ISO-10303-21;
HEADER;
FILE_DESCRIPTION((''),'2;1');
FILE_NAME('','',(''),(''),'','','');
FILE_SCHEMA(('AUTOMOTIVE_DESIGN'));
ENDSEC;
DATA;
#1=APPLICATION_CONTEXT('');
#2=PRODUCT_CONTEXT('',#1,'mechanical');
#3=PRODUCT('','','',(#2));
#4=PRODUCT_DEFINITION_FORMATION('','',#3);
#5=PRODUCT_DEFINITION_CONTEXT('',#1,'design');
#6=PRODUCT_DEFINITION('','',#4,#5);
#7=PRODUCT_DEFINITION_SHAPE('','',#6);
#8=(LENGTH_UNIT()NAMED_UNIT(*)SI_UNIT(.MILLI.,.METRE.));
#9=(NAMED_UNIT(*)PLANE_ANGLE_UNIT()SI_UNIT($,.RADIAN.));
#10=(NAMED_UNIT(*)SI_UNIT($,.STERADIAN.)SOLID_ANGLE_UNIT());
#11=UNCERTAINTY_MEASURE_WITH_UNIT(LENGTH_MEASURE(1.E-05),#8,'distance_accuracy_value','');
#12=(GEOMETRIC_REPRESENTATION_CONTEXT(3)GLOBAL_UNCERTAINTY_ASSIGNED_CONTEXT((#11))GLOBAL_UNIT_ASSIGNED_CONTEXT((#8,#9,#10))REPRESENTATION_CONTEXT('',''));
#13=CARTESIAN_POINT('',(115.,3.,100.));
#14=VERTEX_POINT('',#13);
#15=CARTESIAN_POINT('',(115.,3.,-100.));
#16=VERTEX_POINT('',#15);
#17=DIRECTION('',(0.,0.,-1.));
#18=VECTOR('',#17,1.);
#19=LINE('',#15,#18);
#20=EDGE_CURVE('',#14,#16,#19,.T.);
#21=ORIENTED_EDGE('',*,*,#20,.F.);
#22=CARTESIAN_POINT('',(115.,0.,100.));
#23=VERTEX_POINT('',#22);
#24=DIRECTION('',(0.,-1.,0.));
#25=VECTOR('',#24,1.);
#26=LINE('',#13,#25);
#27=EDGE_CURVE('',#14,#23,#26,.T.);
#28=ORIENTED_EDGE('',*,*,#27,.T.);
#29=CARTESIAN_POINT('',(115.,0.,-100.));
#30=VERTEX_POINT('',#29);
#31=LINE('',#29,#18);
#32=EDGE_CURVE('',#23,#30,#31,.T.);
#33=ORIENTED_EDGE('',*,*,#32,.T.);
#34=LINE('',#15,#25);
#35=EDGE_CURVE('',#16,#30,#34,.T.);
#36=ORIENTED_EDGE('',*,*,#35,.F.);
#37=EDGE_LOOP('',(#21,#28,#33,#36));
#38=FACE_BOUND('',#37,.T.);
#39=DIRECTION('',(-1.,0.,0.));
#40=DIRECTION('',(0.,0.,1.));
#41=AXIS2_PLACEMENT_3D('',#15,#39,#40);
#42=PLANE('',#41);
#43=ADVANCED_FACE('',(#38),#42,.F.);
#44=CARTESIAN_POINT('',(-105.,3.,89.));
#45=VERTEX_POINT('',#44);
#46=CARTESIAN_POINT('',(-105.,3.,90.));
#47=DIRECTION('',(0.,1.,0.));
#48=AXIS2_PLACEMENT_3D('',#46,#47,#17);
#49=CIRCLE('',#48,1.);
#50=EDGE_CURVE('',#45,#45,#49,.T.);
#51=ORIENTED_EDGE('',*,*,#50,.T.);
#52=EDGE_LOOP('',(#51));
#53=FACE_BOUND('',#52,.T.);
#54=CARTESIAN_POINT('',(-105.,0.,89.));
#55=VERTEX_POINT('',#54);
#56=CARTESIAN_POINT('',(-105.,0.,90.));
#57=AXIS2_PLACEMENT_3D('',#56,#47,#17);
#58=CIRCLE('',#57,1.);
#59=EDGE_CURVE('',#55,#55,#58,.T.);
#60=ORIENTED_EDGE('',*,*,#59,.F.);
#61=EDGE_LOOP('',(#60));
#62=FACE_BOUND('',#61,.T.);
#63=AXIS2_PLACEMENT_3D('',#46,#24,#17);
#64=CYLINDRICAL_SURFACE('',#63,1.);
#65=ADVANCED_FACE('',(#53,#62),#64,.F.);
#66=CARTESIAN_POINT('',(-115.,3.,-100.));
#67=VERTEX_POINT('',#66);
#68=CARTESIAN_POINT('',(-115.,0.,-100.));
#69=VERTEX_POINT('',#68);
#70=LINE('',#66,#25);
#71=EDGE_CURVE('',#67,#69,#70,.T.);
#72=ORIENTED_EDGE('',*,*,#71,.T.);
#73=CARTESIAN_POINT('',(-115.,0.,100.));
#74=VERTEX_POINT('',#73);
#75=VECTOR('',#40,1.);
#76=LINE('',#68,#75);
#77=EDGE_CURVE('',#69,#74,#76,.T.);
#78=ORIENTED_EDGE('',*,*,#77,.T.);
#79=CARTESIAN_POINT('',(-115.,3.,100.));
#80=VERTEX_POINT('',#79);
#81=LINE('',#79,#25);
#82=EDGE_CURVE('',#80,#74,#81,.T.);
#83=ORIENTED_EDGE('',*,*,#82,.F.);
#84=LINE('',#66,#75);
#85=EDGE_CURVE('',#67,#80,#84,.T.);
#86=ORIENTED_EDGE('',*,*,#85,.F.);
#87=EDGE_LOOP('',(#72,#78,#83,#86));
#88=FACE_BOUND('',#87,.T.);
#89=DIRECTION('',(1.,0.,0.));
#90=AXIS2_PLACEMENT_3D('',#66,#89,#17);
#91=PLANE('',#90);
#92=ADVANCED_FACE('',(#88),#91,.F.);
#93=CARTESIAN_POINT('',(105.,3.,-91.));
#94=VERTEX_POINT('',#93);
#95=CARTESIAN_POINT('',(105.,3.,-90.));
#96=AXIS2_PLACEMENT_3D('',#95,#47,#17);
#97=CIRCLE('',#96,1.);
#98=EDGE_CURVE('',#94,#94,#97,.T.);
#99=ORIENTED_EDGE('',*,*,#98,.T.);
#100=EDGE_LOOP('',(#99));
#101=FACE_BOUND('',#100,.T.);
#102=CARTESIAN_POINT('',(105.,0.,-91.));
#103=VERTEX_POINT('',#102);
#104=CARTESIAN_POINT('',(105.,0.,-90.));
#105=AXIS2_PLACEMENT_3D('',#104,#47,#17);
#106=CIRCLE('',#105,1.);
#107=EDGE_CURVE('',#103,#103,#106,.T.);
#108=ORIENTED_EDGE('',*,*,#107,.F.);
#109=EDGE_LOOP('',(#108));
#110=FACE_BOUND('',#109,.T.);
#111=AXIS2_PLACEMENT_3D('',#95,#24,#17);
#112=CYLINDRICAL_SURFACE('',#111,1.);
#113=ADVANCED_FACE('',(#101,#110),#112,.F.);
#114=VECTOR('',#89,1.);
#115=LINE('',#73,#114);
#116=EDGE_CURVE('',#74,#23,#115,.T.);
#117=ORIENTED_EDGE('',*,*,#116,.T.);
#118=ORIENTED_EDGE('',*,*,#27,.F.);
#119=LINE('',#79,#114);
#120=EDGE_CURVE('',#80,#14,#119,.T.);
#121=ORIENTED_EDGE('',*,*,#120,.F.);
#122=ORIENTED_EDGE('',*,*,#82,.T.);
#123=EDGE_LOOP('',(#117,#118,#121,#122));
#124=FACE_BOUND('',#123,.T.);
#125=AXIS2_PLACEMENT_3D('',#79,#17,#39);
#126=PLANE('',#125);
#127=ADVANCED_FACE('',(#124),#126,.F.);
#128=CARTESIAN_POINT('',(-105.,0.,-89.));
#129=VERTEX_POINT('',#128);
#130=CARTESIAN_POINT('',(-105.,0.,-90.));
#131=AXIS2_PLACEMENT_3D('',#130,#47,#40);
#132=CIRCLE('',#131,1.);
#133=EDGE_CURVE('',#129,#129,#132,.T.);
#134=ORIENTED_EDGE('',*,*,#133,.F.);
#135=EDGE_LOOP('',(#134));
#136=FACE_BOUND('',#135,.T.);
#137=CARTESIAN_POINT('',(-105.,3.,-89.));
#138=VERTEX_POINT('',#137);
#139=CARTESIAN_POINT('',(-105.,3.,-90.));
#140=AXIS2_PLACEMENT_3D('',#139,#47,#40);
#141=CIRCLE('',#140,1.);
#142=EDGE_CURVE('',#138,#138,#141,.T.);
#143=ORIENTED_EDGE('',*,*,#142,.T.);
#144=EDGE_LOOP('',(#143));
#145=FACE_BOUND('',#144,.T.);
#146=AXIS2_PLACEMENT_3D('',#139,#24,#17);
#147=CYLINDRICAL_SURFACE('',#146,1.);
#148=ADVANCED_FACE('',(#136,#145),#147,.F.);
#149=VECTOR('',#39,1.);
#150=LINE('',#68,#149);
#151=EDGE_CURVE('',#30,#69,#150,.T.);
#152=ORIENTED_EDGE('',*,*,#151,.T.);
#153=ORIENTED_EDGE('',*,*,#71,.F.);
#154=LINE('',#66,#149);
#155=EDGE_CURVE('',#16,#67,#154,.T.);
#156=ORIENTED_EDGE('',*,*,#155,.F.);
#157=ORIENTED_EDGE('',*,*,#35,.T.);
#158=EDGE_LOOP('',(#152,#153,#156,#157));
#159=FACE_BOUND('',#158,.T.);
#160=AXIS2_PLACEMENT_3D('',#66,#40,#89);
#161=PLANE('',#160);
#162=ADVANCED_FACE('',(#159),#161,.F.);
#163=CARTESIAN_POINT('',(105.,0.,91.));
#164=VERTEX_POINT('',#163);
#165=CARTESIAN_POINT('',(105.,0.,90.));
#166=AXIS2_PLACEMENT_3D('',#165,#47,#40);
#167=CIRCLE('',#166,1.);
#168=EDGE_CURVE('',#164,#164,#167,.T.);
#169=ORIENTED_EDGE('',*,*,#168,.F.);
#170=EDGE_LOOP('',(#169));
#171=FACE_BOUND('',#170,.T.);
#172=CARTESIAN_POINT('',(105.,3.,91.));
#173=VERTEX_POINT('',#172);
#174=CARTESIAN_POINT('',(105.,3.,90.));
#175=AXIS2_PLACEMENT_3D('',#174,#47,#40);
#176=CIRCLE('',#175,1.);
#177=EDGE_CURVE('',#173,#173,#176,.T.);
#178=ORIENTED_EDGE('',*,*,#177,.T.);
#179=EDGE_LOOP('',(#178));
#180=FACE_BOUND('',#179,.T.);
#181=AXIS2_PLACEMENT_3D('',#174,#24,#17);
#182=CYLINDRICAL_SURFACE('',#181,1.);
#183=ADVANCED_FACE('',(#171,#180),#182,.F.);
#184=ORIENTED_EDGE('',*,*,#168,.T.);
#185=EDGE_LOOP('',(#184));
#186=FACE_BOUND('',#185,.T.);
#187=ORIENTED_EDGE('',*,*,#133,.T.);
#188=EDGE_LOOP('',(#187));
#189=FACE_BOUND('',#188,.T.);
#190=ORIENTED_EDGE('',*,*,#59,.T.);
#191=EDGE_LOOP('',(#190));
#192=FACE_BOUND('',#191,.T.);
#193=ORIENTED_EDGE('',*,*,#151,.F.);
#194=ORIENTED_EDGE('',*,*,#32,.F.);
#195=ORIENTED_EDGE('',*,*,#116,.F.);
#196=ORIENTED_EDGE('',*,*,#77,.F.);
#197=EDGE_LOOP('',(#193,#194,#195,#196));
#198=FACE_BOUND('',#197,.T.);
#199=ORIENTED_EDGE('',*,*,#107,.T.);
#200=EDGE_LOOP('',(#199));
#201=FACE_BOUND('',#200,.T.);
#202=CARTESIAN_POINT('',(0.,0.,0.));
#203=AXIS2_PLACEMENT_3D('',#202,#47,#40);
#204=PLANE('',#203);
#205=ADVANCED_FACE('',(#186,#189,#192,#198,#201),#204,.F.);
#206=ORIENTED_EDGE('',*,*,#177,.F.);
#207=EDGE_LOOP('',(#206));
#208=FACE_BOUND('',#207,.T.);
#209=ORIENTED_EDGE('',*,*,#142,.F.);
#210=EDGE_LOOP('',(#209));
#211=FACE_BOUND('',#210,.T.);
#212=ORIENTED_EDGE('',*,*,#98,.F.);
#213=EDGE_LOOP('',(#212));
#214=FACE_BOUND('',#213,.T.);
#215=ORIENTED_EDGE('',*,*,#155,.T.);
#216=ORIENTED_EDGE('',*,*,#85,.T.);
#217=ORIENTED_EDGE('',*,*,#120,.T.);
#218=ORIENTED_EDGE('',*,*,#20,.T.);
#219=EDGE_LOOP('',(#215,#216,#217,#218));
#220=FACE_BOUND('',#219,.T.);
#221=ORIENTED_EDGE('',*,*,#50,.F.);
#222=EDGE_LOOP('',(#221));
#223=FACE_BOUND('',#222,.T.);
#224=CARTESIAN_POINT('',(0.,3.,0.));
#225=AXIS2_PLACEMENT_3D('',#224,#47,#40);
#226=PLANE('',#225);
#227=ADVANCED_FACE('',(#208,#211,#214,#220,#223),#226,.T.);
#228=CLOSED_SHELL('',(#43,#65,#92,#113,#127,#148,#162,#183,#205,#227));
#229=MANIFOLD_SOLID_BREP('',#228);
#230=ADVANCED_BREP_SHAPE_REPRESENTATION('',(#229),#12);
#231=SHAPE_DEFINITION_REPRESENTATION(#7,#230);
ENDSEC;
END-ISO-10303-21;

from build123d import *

# Parameters (mm, degrees)
SKETCH1_W           = 230
SKETCH1_H           = 200
SKETCH1_R           = 1
BOSS_EXTRUDE1_DEPTH = 3


with BuildPart() as part:
    # Sketch1 → Boss-Extrude1 (new body)
    with BuildSketch(Plane(origin=(0, 0, 0), x_dir=(1, 0, 0), z_dir=(0, 1, 0))):
        Rectangle(SKETCH1_W, SKETCH1_H)
        with Locations(Location((-105, 90, 0), (0, 0, 270))):
            Circle(SKETCH1_R, mode=Mode.SUBTRACT)
        with Locations(Location((105, 90, 0), (0, 0, 90))):
            Circle(SKETCH1_R, mode=Mode.SUBTRACT)
        with Locations(Location((105, -90, 0), (0, 0, 270))):
            Circle(SKETCH1_R, mode=Mode.SUBTRACT)
        with Locations(Location((-105, -90, 0), (0, 0, 90))):
            Circle(SKETCH1_R, mode=Mode.SUBTRACT)
    extrude(amount=BOSS_EXTRUDE1_DEPTH)


solid = part.part
